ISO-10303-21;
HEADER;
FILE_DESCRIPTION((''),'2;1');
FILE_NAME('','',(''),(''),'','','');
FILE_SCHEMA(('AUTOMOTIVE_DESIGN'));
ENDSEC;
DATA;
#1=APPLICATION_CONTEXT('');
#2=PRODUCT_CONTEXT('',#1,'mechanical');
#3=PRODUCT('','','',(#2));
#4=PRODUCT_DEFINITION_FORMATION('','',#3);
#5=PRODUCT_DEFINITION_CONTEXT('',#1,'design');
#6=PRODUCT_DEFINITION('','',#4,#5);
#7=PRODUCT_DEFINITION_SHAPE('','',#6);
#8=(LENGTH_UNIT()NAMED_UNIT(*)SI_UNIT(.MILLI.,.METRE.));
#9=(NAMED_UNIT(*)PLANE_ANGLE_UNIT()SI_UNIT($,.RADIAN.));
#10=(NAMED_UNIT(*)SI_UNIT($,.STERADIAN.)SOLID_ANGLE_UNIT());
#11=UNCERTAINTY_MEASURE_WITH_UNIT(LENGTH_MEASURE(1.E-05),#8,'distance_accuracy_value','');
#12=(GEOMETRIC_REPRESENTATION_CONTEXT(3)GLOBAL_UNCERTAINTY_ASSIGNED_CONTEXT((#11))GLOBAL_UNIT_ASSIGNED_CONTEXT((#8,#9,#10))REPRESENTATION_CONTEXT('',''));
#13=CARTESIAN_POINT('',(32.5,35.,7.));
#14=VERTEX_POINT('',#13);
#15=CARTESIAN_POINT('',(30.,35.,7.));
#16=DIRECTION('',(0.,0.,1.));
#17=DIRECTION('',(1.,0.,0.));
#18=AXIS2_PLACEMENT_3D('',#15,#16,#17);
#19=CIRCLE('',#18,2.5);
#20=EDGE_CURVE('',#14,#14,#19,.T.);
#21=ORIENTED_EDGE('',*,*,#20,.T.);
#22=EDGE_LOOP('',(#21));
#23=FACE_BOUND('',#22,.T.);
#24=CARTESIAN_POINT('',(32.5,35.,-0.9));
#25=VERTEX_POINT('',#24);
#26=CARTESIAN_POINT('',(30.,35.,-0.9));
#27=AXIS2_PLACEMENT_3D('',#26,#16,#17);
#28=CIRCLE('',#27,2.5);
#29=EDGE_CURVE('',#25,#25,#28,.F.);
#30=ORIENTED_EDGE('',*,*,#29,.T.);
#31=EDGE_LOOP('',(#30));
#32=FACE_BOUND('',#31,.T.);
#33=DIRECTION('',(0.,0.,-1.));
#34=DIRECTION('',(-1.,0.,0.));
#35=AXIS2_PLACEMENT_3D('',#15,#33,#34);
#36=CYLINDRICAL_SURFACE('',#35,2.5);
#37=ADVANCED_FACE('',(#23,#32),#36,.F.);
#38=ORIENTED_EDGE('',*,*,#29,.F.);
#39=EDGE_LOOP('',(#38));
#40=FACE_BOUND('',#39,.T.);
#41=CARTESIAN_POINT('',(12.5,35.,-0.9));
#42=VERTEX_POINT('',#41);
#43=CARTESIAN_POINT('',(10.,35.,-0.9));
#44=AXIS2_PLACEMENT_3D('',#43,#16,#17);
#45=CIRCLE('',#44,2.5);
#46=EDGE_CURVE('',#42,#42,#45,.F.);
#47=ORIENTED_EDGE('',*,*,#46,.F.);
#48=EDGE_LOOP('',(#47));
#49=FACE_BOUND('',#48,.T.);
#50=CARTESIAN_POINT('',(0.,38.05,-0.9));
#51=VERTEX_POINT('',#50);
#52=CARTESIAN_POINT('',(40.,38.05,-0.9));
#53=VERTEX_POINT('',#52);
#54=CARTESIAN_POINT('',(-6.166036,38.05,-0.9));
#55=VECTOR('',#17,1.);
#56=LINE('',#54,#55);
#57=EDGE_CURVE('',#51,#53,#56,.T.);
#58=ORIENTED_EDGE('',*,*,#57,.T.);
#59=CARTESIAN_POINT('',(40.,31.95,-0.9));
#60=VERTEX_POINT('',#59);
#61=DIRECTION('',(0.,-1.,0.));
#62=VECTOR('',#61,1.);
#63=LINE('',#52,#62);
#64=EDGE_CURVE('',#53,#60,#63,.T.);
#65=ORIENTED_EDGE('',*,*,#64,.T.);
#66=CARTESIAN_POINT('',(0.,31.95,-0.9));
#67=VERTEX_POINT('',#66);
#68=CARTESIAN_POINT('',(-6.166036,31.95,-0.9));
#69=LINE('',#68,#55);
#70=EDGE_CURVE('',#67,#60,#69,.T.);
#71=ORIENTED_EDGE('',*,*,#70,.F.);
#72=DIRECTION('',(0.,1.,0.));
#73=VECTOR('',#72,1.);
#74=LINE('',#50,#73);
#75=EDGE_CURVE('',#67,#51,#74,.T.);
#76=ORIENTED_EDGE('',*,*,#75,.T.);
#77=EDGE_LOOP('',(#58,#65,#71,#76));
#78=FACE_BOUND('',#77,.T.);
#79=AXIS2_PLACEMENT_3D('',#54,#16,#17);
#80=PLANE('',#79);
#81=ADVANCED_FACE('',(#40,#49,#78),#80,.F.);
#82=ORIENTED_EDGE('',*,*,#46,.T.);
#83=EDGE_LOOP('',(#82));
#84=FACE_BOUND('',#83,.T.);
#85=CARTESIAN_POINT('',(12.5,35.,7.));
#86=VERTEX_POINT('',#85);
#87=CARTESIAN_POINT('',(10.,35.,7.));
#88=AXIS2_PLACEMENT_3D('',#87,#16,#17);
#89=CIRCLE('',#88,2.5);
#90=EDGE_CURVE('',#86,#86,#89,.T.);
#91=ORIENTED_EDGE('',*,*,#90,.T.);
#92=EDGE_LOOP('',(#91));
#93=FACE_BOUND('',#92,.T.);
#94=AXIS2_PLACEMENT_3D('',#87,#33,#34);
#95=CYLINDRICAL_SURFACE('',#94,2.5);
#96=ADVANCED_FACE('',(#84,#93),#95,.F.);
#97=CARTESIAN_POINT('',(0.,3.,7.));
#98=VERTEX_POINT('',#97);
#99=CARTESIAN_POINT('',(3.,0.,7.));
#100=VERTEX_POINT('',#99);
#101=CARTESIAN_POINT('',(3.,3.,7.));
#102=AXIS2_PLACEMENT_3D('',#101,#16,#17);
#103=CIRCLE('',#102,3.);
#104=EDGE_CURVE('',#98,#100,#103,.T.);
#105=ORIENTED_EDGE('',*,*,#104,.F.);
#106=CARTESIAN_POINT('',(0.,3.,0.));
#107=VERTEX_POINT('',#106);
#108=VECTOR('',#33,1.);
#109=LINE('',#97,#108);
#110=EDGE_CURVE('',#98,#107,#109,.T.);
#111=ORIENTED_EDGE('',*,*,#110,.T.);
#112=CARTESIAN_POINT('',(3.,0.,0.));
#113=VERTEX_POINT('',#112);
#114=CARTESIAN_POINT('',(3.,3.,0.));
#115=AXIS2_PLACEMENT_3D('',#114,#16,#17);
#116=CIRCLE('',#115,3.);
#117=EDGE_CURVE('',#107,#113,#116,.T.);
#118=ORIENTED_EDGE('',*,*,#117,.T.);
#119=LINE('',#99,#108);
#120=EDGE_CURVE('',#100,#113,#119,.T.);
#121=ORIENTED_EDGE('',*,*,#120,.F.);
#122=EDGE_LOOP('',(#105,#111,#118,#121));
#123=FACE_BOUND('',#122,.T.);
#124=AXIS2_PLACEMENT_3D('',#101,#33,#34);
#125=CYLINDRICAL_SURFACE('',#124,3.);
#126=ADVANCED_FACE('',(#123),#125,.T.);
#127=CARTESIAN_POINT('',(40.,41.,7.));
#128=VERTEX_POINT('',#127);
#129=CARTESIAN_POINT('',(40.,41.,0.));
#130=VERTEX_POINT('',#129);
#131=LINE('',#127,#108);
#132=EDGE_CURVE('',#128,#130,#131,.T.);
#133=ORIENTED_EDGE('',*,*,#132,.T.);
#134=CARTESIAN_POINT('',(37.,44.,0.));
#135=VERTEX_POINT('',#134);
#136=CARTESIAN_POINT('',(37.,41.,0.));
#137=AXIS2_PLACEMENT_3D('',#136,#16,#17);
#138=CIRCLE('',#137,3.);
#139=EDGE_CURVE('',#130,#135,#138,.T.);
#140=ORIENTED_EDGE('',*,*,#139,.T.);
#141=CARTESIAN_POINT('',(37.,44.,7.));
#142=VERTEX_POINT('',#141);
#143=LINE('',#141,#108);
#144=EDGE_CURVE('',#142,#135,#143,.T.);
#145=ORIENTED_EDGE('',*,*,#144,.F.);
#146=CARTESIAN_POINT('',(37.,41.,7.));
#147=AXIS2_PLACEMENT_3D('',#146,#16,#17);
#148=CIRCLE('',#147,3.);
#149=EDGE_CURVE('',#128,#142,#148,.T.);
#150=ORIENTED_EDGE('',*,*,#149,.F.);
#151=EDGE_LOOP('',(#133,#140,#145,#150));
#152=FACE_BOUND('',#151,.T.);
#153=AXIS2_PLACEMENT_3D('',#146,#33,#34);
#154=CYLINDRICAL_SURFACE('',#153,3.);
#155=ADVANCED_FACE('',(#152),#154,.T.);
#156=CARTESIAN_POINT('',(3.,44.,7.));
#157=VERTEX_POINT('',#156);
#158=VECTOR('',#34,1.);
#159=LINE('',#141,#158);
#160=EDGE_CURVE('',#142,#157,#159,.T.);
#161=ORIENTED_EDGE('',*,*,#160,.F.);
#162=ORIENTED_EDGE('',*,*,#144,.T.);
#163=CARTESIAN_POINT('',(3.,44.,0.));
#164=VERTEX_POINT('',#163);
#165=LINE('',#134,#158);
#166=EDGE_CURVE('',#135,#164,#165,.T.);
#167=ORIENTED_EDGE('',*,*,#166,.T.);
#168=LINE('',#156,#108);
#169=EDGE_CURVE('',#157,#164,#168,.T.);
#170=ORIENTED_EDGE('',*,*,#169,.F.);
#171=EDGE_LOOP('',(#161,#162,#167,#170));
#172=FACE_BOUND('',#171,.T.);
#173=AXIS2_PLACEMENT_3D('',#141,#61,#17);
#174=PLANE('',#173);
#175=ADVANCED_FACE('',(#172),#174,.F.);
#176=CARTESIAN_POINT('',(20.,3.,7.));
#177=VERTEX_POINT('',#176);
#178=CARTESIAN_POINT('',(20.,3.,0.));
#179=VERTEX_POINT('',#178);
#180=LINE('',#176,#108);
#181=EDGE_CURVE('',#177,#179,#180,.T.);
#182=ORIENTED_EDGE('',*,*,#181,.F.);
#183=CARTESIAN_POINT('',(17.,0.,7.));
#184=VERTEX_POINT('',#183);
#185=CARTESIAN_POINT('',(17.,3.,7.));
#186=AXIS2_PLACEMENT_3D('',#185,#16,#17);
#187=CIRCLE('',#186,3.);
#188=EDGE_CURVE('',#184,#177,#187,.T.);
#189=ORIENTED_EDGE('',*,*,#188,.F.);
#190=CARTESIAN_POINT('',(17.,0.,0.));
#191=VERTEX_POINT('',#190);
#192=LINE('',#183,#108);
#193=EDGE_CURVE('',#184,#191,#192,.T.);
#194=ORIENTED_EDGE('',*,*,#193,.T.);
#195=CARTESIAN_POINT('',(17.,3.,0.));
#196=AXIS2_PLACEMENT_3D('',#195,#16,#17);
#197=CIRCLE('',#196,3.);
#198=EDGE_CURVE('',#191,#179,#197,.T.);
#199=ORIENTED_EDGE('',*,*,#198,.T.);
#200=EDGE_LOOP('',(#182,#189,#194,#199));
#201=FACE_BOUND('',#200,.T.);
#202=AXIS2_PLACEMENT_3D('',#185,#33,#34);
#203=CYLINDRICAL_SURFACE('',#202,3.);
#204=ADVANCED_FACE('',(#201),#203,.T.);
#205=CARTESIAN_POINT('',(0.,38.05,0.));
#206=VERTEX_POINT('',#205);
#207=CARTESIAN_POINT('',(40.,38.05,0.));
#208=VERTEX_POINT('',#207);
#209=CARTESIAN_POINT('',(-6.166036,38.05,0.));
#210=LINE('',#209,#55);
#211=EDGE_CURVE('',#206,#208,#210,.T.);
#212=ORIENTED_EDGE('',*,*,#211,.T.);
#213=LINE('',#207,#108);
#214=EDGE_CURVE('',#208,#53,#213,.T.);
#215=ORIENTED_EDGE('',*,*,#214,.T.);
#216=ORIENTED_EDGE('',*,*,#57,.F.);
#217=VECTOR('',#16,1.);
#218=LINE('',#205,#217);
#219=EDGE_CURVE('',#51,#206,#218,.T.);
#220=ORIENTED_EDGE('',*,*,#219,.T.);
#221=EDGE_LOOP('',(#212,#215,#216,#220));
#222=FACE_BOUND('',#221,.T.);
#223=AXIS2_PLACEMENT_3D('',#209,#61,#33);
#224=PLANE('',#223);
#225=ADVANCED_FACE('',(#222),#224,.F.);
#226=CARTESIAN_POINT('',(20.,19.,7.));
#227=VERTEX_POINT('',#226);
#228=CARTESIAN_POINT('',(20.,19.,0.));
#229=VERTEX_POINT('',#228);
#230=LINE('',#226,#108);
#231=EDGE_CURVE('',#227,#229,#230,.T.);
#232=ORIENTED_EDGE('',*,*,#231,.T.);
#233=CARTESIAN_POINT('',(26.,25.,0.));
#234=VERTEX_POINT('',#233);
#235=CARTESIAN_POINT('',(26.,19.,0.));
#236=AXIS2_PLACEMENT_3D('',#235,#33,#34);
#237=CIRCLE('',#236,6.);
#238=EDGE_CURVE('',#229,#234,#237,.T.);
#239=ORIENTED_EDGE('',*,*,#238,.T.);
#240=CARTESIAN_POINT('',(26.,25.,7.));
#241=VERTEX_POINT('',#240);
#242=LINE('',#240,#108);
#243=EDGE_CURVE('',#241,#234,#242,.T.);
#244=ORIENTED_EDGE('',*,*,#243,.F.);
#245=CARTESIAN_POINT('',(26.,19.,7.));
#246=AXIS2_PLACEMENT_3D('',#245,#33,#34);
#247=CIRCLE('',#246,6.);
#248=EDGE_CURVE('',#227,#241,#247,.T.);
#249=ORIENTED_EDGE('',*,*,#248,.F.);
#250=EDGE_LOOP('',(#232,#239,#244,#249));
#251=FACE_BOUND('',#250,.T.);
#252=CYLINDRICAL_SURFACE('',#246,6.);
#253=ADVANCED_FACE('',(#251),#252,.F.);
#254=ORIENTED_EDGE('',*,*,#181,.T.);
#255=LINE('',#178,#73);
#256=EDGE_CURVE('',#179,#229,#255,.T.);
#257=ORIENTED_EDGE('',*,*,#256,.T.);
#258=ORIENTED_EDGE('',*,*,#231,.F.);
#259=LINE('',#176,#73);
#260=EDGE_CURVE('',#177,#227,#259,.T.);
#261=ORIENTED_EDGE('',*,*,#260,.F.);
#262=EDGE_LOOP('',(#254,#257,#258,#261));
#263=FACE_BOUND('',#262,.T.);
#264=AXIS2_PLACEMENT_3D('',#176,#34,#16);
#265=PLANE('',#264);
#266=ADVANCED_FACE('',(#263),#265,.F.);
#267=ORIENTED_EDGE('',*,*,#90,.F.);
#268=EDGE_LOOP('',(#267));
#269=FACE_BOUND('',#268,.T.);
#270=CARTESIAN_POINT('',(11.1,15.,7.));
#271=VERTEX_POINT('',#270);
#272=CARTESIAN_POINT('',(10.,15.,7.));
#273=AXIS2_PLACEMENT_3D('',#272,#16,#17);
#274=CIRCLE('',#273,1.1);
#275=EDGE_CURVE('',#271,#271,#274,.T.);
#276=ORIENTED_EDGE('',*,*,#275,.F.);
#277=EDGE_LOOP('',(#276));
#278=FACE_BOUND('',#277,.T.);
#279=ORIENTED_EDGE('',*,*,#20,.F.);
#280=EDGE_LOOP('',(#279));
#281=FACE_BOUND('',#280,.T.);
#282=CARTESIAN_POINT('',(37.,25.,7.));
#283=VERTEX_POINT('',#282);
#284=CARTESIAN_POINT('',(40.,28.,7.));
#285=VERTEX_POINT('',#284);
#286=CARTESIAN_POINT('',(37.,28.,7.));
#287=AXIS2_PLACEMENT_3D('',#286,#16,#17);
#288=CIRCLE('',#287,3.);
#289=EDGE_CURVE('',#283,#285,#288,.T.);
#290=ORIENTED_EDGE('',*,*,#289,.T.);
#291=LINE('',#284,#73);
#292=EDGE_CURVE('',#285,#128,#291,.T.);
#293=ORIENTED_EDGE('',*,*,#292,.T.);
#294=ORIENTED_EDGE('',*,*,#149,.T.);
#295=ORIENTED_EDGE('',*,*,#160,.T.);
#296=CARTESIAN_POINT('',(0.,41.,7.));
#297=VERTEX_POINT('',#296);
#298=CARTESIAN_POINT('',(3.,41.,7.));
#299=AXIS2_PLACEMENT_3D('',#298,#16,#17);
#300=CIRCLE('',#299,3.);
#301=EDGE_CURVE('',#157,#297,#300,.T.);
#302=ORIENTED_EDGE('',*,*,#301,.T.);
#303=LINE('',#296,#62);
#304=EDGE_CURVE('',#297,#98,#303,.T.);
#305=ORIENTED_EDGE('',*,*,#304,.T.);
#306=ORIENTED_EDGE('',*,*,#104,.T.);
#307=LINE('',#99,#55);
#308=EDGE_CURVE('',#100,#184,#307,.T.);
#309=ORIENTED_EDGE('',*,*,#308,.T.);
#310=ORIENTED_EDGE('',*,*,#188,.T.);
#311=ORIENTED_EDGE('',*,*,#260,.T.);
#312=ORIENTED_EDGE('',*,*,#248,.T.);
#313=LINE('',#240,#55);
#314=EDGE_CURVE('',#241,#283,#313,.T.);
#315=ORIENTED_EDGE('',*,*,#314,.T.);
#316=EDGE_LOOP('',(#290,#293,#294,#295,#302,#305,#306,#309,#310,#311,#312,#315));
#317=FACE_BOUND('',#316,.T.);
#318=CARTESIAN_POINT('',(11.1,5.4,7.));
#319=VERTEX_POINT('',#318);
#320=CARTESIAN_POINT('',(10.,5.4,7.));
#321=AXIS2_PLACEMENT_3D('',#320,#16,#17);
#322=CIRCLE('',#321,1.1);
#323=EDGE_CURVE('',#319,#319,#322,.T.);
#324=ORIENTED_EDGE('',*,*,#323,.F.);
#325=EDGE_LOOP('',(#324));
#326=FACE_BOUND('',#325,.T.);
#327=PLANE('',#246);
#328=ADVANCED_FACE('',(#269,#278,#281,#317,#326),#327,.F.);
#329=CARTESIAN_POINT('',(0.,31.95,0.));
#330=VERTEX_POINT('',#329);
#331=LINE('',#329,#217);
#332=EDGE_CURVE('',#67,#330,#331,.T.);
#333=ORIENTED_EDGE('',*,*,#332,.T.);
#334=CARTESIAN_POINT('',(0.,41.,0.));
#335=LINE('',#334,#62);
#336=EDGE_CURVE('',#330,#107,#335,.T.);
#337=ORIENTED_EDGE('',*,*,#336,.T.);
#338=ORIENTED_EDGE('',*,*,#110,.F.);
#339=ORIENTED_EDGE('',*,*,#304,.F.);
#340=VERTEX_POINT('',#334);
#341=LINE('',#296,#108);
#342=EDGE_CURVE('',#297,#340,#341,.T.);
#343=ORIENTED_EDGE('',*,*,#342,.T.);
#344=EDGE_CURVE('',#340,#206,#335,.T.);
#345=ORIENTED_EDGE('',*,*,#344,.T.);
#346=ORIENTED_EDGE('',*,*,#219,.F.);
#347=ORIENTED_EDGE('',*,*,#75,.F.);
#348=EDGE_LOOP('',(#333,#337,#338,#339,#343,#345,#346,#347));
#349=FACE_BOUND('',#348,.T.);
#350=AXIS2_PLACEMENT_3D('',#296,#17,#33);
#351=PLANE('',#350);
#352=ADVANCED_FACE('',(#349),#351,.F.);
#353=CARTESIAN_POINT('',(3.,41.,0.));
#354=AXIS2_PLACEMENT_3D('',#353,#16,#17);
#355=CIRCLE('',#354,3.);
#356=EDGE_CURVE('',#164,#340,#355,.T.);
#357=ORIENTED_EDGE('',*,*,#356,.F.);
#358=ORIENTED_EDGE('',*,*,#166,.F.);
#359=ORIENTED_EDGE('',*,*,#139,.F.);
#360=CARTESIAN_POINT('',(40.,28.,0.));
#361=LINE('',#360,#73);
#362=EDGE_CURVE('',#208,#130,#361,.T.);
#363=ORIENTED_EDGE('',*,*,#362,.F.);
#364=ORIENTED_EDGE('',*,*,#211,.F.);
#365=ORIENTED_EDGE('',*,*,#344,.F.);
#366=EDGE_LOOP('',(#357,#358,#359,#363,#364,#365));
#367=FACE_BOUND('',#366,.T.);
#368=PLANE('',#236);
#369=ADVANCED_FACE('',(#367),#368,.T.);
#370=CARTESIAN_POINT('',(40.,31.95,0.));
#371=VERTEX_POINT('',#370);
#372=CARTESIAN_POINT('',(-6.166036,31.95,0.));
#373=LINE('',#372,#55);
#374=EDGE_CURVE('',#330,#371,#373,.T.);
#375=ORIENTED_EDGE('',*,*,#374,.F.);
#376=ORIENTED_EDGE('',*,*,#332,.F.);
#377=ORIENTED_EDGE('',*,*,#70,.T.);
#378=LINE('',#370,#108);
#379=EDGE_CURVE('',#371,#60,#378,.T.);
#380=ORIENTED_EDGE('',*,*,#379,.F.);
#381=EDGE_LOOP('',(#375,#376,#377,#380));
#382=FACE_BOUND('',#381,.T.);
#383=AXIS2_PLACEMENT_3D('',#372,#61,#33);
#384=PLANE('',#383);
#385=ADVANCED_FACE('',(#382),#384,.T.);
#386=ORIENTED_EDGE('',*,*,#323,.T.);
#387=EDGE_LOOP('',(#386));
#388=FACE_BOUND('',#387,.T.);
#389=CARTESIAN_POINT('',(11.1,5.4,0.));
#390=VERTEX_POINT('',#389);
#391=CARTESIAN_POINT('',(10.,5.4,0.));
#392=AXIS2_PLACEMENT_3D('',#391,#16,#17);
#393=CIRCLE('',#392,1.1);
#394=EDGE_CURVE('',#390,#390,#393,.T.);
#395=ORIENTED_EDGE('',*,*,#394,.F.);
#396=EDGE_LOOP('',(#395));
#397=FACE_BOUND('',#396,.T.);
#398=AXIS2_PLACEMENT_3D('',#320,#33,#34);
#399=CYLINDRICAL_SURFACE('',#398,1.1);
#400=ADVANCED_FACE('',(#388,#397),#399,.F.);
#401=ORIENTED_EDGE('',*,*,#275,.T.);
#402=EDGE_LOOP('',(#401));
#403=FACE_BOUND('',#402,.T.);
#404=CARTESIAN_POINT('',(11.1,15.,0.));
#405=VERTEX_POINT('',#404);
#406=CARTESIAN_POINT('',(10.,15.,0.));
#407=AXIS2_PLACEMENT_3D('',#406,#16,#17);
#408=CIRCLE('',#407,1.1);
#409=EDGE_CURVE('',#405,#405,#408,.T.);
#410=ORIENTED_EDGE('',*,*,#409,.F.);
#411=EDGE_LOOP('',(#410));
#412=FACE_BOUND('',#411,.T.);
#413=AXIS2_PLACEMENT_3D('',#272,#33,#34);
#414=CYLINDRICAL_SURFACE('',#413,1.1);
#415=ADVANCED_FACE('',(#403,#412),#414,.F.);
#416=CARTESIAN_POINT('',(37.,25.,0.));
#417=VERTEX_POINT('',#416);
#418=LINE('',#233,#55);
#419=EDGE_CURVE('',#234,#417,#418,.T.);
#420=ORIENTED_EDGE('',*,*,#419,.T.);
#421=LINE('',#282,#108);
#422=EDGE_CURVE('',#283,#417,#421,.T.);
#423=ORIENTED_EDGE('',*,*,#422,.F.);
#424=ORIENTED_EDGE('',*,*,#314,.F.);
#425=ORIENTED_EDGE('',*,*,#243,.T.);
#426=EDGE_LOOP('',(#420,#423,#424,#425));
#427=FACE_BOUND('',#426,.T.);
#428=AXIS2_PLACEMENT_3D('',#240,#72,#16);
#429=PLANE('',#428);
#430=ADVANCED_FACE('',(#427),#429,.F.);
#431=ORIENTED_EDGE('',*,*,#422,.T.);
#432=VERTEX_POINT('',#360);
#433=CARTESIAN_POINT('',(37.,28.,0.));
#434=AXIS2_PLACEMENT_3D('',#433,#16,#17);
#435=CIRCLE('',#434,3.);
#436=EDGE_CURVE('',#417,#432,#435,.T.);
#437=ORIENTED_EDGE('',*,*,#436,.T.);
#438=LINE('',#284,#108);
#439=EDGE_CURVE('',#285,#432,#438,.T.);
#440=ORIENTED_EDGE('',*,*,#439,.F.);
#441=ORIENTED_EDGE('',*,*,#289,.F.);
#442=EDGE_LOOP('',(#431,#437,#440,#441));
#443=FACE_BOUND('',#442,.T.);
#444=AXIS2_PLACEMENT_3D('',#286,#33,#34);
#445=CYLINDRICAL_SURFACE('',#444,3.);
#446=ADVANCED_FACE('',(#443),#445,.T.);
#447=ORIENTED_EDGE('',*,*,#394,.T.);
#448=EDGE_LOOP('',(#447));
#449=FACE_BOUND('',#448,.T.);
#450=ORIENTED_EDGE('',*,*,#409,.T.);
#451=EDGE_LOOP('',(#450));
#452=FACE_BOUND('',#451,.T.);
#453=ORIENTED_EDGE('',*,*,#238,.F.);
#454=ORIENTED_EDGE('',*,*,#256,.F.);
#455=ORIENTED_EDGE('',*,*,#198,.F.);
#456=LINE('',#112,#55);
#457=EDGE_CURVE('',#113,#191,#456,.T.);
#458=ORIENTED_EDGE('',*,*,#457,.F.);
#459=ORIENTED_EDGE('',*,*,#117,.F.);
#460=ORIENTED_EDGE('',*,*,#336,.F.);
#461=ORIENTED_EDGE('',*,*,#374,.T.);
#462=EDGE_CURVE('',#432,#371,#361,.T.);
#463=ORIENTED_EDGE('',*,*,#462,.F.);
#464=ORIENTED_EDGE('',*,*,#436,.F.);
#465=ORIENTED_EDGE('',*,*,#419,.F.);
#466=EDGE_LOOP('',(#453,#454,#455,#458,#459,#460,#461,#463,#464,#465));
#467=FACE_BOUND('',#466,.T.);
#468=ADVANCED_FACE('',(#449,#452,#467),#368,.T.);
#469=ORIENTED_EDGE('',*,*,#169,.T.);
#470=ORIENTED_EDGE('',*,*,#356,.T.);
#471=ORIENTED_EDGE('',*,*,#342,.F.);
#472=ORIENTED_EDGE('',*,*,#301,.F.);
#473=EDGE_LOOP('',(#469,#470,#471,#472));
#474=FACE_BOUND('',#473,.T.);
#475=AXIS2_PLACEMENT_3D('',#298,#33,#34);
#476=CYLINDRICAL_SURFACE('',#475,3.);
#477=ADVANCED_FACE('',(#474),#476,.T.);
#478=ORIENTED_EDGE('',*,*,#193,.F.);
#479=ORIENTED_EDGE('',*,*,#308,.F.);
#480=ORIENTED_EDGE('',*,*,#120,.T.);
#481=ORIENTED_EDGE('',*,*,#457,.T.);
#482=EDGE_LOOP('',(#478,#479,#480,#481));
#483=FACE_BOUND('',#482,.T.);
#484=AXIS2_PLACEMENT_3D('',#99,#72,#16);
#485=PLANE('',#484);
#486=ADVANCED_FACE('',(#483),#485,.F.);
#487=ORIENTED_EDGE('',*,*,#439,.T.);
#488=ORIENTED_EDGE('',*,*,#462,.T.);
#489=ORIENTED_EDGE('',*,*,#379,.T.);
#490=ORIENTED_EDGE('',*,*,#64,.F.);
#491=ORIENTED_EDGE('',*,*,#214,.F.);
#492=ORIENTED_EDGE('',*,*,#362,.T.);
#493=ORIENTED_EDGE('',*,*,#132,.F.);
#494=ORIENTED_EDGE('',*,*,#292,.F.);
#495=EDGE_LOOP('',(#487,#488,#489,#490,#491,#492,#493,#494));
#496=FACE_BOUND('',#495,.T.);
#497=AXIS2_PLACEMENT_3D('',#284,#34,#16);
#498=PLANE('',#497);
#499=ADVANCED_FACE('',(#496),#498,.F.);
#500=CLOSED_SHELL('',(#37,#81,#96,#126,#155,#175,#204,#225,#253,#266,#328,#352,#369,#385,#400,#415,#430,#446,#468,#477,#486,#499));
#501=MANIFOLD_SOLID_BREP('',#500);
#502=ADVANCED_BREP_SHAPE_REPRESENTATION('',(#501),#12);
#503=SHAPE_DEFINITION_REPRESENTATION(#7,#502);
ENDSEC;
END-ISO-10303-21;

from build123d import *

# Parameters (mm, degrees)
SKETCH1_R           = 2.5
SKETCH1_R_2         = 1.1
BOSS_EXTRUDE1_DEPTH = 7
SKETCH2_W           = 0.9
SKETCH2_H           = 6.1
BOSS_EXTRUDE2_DEPTH = 40
CUT_EXTRUDE1_REACH  = 2.9
SKETCH3_R           = 2.5


with BuildPart() as part:
    # Sketch1 → Boss-Extrude1 (new body)
    with BuildSketch(Plane.XY):
        with BuildLine():
            Line((3, 0), (17, 0))
            ThreePointArc((17, 0), (19.121320344, 0.878679656), (20, 3))
            Line((20, 3), (20, 19))
            ThreePointArc((20, 19), (21.757359313, 23.242640687), (26, 25))
            Line((26, 25), (37, 25))
            ThreePointArc((37, 25), (39.121320344, 25.878679656), (40, 28))
            Line((40, 28), (40, 41))
            ThreePointArc((40, 41), (39.121320344, 43.121320344), (37, 44))
            Line((37, 44), (3, 44))
            ThreePointArc((3, 44), (0.878679656, 43.121320344), (0, 41))
            Line((0, 41), (0, 3))
            ThreePointArc((0, 3), (0.878679656, 0.878679656), (3, 0))
        make_face()
        with Locations((10, 35)):
            Circle(SKETCH1_R, mode=Mode.SUBTRACT)
        with Locations((30, 35)):
            Circle(SKETCH1_R, mode=Mode.SUBTRACT)
        with Locations((10, 5.4)):
            Circle(SKETCH1_R_2, mode=Mode.SUBTRACT)
        with Locations((10, 15)):
            Circle(SKETCH1_R_2, mode=Mode.SUBTRACT)
    extrude(amount=BOSS_EXTRUDE1_DEPTH)

    # Sketch2 → Boss-Extrude2 (add)
    with BuildSketch(Plane(origin=(40, 0, 0), x_dir=(0, 0, -1), z_dir=(1, 0, 0))):
        with Locations((0.45, 35)):
            Rectangle(SKETCH2_W, SKETCH2_H)
    extrude(amount=-BOSS_EXTRUDE2_DEPTH)

    # Sketch3 → Cut-Extrude1 (cut, up to next)
    with BuildSketch(Plane.XY, mode=Mode.PRIVATE) as cut_extrude1_sk1:
        with Locations((10, 35)):
            Circle(SKETCH3_R)
    cut_extrude1_tool1 = extrude(cut_extrude1_sk1.sketch, amount=-CUT_EXTRUDE1_REACH, mode=Mode.PRIVATE) & part.part
    add(cut_extrude1_tool1.solids().sort_by_distance((10, 35, 0))[0], mode=Mode.SUBTRACT)
    # Sketch3 → Cut-Extrude1 (cut, up to next)
    with BuildSketch(Plane.XY, mode=Mode.PRIVATE) as cut_extrude1_sk2:
        with Locations((30, 35)):
            Circle(SKETCH3_R)
    cut_extrude1_tool2 = extrude(cut_extrude1_sk2.sketch, amount=-CUT_EXTRUDE1_REACH, mode=Mode.PRIVATE) & part.part
    add(cut_extrude1_tool2.solids().sort_by_distance((30, 35, 0))[0], mode=Mode.SUBTRACT)


solid = part.part
